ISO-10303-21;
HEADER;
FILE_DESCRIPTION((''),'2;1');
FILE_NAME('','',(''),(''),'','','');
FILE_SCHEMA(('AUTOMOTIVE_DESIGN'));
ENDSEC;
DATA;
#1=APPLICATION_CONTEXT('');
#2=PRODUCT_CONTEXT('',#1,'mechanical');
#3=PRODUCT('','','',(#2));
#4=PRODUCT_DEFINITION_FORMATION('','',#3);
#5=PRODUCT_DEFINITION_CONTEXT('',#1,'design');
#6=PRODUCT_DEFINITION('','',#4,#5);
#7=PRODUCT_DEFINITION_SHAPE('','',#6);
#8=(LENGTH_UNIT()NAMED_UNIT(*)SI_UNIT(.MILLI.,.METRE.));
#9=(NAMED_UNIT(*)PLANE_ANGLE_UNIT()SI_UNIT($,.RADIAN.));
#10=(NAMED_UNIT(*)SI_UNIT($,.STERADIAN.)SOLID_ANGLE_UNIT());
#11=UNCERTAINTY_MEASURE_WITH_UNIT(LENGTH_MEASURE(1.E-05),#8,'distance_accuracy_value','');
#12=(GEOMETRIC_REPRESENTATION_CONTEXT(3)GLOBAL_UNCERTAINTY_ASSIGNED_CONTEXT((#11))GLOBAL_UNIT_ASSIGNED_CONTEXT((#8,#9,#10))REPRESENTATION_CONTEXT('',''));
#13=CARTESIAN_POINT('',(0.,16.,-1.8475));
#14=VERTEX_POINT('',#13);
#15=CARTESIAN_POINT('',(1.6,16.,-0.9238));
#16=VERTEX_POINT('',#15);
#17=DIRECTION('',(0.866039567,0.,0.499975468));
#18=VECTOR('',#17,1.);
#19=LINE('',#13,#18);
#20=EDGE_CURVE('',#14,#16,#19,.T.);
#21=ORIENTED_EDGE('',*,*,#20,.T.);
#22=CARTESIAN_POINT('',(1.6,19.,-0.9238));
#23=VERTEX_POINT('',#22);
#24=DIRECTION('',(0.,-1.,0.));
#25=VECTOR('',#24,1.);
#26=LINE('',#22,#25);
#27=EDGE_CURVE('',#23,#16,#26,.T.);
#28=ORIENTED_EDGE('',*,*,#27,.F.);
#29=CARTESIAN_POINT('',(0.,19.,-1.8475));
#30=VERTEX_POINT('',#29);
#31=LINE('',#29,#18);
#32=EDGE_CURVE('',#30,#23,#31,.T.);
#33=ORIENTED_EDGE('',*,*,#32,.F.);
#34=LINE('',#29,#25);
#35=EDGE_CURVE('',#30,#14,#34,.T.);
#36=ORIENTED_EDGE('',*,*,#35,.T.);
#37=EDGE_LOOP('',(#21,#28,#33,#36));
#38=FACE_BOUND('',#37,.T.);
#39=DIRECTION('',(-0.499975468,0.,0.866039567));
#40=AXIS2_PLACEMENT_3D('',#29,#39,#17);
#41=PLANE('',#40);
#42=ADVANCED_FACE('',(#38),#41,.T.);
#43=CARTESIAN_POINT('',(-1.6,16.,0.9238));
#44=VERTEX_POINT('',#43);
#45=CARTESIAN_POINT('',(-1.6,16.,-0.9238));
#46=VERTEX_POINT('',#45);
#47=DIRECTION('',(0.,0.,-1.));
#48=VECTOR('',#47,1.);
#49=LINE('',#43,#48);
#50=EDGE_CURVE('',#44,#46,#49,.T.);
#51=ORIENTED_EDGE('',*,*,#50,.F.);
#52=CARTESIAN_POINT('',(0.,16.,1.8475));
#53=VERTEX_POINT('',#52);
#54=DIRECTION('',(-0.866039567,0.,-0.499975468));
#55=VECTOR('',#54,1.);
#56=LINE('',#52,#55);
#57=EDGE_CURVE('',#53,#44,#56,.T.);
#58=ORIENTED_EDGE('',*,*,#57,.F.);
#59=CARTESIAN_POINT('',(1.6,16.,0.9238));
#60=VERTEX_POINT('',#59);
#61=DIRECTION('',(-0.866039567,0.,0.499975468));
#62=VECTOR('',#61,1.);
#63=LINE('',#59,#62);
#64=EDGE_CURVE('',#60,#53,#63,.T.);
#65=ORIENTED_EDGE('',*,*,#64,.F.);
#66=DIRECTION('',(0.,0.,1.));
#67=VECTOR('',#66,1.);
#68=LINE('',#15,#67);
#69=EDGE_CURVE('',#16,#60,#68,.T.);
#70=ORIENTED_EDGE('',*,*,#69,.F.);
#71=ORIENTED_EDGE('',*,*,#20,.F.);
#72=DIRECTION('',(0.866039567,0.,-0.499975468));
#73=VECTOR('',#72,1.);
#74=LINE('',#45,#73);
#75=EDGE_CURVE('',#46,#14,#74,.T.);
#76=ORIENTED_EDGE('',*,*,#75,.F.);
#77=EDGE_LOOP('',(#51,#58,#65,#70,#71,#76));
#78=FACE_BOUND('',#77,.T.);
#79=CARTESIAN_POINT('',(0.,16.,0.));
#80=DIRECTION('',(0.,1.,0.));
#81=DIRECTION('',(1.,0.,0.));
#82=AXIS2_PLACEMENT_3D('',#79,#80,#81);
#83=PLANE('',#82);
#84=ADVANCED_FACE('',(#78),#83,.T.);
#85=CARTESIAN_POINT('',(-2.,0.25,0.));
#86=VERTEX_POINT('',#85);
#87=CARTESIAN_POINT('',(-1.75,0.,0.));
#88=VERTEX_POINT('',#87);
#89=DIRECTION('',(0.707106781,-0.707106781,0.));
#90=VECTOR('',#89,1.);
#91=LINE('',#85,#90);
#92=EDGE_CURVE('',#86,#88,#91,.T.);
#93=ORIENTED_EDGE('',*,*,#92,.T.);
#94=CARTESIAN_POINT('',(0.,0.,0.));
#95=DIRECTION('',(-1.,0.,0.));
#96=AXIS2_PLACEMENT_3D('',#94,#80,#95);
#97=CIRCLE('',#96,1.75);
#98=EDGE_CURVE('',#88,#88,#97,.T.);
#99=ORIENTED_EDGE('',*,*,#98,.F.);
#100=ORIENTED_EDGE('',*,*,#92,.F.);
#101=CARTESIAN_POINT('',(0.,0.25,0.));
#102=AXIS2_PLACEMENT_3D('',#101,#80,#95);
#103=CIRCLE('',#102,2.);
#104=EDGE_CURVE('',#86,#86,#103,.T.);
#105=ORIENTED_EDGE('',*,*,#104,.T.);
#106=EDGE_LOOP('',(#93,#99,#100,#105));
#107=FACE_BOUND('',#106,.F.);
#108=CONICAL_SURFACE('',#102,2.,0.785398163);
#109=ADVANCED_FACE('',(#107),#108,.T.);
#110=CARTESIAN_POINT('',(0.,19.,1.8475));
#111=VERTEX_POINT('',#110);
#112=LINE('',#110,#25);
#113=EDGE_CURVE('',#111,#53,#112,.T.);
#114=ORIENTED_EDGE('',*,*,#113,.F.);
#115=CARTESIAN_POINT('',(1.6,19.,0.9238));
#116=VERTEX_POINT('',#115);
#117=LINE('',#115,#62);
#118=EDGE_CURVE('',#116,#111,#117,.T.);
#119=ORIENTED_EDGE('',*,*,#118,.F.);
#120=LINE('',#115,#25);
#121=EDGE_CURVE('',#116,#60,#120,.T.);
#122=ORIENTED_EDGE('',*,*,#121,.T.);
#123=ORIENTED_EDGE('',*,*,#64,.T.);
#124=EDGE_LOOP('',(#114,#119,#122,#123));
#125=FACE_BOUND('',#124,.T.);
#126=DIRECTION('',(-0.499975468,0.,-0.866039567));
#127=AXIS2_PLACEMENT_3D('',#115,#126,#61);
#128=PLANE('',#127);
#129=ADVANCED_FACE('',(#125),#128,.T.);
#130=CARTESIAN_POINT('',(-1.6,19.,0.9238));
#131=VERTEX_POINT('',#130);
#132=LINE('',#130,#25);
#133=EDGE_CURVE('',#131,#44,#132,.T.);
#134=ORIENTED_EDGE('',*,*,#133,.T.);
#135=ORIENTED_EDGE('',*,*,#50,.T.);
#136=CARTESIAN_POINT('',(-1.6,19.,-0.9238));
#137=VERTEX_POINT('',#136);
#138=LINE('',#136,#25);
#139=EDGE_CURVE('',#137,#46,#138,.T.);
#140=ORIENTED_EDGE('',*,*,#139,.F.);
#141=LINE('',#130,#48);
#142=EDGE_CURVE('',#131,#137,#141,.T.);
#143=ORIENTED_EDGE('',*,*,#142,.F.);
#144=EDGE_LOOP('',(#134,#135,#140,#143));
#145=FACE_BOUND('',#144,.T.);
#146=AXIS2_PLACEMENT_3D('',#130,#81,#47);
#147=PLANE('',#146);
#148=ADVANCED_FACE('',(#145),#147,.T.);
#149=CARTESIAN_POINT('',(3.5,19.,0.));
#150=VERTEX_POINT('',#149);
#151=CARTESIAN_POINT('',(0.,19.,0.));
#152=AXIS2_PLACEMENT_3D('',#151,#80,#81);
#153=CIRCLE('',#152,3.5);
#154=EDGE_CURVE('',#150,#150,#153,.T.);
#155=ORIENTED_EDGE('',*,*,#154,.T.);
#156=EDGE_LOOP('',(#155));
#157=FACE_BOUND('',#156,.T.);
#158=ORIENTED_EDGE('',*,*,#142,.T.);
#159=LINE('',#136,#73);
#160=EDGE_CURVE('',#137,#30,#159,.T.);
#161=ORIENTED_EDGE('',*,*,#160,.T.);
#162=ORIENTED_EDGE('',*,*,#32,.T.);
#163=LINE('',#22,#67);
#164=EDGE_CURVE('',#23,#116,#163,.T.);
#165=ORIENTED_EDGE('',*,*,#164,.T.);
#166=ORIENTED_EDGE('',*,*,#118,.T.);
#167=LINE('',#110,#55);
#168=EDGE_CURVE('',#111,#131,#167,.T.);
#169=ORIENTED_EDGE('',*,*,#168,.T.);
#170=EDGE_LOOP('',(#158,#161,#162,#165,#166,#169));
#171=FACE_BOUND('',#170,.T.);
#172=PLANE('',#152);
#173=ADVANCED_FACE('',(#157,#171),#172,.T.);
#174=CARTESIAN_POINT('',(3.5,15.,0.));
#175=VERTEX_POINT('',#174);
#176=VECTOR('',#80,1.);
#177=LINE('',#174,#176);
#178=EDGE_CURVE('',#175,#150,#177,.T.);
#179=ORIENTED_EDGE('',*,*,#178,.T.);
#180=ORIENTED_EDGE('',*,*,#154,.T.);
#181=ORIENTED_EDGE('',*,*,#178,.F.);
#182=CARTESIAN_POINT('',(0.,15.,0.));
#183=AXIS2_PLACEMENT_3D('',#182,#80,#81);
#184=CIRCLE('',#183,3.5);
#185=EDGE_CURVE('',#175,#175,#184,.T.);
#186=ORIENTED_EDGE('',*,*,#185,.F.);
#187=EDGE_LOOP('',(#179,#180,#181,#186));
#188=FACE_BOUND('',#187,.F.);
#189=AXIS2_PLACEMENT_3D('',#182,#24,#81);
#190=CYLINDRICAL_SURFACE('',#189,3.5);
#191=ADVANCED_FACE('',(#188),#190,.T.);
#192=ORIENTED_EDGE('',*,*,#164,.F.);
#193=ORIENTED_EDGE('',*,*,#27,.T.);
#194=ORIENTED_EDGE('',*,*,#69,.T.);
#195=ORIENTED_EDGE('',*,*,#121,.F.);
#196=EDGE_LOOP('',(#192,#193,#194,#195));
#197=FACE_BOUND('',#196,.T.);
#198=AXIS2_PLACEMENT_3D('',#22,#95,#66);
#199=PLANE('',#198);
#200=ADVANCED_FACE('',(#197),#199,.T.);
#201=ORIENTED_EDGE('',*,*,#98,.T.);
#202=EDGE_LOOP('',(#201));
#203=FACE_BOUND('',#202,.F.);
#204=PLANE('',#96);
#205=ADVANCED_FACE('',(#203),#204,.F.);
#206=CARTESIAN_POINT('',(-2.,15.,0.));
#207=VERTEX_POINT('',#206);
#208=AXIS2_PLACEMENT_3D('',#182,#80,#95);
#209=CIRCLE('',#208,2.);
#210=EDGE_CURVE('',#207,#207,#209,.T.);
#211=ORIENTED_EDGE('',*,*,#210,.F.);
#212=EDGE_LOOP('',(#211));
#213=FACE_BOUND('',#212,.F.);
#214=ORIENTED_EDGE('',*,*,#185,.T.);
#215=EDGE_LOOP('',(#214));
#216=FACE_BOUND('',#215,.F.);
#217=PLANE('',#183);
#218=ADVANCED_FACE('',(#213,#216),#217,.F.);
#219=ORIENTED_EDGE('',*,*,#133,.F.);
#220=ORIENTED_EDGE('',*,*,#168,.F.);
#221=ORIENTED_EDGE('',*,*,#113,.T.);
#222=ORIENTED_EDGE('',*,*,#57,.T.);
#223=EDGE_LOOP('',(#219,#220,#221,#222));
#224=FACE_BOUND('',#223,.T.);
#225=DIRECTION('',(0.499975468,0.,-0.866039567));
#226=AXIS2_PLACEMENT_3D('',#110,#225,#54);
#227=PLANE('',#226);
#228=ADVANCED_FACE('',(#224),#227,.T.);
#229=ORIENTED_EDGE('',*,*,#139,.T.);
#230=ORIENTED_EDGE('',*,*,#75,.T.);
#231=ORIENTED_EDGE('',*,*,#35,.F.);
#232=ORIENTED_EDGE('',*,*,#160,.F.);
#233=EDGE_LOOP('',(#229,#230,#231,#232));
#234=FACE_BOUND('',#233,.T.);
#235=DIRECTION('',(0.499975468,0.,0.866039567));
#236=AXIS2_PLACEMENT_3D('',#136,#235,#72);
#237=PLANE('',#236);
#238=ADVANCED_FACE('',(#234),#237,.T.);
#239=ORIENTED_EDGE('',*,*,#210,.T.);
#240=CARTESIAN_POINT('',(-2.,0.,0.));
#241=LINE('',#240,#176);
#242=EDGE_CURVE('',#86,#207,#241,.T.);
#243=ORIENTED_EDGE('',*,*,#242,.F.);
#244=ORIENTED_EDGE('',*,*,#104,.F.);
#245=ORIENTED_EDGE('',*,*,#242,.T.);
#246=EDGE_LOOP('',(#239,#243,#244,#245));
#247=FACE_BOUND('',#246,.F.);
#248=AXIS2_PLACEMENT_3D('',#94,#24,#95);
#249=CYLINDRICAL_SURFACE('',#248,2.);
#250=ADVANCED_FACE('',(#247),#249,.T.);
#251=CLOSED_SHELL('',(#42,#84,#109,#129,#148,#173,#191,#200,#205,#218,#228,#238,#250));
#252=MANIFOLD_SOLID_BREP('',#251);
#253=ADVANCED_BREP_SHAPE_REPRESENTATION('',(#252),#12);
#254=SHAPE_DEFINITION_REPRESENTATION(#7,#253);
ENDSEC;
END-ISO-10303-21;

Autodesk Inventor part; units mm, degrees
ref_plane "YZ Plane" through (0, 0, 0) normal (1, 0, 0) x (0, 1, 0)
ref_plane "XZ Plane" through (0, 0, 0) normal (0, 1, 0) x (-1, 0, 0)
ref_plane "XY Plane" through (0, 0, 0) normal (0, 0, 1) x (1, 0, 0)
sketch "Sketch1" plane through (0, 0, 0) normal (0, 1, 0) x (-1, 0, 0)
  circle A0 centre (0, 0) radius 2
  dimension "d0" = 4
extrude "Extrusion1" add sketch "Sketch1" along normal blind 15
sketch "Sketch2" plane through (0, 15, 0) normal (0, 1, 0) x (1, 0, 0)
  circle A0 centre (0, 0) radius 2 projected
  circle A1 centre (0, 0) radius 3.5
  dimension "d3" = 7
extrude "Extrusion2" add sketch "Sketch2" along normal blind 4 contours A0 | A1
sketch "Sketch3" plane through (0, 19, 0) normal (0, 1, 0) x (1, 0, 0)
  circle A0 centre (0, 0) radius 3.5 projected
  line L0 (0, 1.8475) -> (1.6, 0.9238)
  line L1 (1.6, 0.9238) -> (1.6, -0.9238)
  line L2 (1.6, -0.9238) -> (0, -1.8475)
  line L3 (0, -1.8475) -> (-1.6, -0.9238)
  line L4 (-1.6, -0.9238) -> (-1.6, 0.9238)
  line L5 (-1.6, 0.9238) -> (0, 1.8475)
  dimension "d6" = 1.6
extrude "Extrusion3" cut sketch "Sketch3" against normal blind 3 contours L0 L1 L2 L3 L4 L5
thread "Thread1" size "M4x0.7" class "6g" standard "ANSI Metric M Profile" full length
chamfer "Chamfer1" distance 0.25 angle 45 1 edges at (2, 0, 0)
properties part number "SHCS4x15"
